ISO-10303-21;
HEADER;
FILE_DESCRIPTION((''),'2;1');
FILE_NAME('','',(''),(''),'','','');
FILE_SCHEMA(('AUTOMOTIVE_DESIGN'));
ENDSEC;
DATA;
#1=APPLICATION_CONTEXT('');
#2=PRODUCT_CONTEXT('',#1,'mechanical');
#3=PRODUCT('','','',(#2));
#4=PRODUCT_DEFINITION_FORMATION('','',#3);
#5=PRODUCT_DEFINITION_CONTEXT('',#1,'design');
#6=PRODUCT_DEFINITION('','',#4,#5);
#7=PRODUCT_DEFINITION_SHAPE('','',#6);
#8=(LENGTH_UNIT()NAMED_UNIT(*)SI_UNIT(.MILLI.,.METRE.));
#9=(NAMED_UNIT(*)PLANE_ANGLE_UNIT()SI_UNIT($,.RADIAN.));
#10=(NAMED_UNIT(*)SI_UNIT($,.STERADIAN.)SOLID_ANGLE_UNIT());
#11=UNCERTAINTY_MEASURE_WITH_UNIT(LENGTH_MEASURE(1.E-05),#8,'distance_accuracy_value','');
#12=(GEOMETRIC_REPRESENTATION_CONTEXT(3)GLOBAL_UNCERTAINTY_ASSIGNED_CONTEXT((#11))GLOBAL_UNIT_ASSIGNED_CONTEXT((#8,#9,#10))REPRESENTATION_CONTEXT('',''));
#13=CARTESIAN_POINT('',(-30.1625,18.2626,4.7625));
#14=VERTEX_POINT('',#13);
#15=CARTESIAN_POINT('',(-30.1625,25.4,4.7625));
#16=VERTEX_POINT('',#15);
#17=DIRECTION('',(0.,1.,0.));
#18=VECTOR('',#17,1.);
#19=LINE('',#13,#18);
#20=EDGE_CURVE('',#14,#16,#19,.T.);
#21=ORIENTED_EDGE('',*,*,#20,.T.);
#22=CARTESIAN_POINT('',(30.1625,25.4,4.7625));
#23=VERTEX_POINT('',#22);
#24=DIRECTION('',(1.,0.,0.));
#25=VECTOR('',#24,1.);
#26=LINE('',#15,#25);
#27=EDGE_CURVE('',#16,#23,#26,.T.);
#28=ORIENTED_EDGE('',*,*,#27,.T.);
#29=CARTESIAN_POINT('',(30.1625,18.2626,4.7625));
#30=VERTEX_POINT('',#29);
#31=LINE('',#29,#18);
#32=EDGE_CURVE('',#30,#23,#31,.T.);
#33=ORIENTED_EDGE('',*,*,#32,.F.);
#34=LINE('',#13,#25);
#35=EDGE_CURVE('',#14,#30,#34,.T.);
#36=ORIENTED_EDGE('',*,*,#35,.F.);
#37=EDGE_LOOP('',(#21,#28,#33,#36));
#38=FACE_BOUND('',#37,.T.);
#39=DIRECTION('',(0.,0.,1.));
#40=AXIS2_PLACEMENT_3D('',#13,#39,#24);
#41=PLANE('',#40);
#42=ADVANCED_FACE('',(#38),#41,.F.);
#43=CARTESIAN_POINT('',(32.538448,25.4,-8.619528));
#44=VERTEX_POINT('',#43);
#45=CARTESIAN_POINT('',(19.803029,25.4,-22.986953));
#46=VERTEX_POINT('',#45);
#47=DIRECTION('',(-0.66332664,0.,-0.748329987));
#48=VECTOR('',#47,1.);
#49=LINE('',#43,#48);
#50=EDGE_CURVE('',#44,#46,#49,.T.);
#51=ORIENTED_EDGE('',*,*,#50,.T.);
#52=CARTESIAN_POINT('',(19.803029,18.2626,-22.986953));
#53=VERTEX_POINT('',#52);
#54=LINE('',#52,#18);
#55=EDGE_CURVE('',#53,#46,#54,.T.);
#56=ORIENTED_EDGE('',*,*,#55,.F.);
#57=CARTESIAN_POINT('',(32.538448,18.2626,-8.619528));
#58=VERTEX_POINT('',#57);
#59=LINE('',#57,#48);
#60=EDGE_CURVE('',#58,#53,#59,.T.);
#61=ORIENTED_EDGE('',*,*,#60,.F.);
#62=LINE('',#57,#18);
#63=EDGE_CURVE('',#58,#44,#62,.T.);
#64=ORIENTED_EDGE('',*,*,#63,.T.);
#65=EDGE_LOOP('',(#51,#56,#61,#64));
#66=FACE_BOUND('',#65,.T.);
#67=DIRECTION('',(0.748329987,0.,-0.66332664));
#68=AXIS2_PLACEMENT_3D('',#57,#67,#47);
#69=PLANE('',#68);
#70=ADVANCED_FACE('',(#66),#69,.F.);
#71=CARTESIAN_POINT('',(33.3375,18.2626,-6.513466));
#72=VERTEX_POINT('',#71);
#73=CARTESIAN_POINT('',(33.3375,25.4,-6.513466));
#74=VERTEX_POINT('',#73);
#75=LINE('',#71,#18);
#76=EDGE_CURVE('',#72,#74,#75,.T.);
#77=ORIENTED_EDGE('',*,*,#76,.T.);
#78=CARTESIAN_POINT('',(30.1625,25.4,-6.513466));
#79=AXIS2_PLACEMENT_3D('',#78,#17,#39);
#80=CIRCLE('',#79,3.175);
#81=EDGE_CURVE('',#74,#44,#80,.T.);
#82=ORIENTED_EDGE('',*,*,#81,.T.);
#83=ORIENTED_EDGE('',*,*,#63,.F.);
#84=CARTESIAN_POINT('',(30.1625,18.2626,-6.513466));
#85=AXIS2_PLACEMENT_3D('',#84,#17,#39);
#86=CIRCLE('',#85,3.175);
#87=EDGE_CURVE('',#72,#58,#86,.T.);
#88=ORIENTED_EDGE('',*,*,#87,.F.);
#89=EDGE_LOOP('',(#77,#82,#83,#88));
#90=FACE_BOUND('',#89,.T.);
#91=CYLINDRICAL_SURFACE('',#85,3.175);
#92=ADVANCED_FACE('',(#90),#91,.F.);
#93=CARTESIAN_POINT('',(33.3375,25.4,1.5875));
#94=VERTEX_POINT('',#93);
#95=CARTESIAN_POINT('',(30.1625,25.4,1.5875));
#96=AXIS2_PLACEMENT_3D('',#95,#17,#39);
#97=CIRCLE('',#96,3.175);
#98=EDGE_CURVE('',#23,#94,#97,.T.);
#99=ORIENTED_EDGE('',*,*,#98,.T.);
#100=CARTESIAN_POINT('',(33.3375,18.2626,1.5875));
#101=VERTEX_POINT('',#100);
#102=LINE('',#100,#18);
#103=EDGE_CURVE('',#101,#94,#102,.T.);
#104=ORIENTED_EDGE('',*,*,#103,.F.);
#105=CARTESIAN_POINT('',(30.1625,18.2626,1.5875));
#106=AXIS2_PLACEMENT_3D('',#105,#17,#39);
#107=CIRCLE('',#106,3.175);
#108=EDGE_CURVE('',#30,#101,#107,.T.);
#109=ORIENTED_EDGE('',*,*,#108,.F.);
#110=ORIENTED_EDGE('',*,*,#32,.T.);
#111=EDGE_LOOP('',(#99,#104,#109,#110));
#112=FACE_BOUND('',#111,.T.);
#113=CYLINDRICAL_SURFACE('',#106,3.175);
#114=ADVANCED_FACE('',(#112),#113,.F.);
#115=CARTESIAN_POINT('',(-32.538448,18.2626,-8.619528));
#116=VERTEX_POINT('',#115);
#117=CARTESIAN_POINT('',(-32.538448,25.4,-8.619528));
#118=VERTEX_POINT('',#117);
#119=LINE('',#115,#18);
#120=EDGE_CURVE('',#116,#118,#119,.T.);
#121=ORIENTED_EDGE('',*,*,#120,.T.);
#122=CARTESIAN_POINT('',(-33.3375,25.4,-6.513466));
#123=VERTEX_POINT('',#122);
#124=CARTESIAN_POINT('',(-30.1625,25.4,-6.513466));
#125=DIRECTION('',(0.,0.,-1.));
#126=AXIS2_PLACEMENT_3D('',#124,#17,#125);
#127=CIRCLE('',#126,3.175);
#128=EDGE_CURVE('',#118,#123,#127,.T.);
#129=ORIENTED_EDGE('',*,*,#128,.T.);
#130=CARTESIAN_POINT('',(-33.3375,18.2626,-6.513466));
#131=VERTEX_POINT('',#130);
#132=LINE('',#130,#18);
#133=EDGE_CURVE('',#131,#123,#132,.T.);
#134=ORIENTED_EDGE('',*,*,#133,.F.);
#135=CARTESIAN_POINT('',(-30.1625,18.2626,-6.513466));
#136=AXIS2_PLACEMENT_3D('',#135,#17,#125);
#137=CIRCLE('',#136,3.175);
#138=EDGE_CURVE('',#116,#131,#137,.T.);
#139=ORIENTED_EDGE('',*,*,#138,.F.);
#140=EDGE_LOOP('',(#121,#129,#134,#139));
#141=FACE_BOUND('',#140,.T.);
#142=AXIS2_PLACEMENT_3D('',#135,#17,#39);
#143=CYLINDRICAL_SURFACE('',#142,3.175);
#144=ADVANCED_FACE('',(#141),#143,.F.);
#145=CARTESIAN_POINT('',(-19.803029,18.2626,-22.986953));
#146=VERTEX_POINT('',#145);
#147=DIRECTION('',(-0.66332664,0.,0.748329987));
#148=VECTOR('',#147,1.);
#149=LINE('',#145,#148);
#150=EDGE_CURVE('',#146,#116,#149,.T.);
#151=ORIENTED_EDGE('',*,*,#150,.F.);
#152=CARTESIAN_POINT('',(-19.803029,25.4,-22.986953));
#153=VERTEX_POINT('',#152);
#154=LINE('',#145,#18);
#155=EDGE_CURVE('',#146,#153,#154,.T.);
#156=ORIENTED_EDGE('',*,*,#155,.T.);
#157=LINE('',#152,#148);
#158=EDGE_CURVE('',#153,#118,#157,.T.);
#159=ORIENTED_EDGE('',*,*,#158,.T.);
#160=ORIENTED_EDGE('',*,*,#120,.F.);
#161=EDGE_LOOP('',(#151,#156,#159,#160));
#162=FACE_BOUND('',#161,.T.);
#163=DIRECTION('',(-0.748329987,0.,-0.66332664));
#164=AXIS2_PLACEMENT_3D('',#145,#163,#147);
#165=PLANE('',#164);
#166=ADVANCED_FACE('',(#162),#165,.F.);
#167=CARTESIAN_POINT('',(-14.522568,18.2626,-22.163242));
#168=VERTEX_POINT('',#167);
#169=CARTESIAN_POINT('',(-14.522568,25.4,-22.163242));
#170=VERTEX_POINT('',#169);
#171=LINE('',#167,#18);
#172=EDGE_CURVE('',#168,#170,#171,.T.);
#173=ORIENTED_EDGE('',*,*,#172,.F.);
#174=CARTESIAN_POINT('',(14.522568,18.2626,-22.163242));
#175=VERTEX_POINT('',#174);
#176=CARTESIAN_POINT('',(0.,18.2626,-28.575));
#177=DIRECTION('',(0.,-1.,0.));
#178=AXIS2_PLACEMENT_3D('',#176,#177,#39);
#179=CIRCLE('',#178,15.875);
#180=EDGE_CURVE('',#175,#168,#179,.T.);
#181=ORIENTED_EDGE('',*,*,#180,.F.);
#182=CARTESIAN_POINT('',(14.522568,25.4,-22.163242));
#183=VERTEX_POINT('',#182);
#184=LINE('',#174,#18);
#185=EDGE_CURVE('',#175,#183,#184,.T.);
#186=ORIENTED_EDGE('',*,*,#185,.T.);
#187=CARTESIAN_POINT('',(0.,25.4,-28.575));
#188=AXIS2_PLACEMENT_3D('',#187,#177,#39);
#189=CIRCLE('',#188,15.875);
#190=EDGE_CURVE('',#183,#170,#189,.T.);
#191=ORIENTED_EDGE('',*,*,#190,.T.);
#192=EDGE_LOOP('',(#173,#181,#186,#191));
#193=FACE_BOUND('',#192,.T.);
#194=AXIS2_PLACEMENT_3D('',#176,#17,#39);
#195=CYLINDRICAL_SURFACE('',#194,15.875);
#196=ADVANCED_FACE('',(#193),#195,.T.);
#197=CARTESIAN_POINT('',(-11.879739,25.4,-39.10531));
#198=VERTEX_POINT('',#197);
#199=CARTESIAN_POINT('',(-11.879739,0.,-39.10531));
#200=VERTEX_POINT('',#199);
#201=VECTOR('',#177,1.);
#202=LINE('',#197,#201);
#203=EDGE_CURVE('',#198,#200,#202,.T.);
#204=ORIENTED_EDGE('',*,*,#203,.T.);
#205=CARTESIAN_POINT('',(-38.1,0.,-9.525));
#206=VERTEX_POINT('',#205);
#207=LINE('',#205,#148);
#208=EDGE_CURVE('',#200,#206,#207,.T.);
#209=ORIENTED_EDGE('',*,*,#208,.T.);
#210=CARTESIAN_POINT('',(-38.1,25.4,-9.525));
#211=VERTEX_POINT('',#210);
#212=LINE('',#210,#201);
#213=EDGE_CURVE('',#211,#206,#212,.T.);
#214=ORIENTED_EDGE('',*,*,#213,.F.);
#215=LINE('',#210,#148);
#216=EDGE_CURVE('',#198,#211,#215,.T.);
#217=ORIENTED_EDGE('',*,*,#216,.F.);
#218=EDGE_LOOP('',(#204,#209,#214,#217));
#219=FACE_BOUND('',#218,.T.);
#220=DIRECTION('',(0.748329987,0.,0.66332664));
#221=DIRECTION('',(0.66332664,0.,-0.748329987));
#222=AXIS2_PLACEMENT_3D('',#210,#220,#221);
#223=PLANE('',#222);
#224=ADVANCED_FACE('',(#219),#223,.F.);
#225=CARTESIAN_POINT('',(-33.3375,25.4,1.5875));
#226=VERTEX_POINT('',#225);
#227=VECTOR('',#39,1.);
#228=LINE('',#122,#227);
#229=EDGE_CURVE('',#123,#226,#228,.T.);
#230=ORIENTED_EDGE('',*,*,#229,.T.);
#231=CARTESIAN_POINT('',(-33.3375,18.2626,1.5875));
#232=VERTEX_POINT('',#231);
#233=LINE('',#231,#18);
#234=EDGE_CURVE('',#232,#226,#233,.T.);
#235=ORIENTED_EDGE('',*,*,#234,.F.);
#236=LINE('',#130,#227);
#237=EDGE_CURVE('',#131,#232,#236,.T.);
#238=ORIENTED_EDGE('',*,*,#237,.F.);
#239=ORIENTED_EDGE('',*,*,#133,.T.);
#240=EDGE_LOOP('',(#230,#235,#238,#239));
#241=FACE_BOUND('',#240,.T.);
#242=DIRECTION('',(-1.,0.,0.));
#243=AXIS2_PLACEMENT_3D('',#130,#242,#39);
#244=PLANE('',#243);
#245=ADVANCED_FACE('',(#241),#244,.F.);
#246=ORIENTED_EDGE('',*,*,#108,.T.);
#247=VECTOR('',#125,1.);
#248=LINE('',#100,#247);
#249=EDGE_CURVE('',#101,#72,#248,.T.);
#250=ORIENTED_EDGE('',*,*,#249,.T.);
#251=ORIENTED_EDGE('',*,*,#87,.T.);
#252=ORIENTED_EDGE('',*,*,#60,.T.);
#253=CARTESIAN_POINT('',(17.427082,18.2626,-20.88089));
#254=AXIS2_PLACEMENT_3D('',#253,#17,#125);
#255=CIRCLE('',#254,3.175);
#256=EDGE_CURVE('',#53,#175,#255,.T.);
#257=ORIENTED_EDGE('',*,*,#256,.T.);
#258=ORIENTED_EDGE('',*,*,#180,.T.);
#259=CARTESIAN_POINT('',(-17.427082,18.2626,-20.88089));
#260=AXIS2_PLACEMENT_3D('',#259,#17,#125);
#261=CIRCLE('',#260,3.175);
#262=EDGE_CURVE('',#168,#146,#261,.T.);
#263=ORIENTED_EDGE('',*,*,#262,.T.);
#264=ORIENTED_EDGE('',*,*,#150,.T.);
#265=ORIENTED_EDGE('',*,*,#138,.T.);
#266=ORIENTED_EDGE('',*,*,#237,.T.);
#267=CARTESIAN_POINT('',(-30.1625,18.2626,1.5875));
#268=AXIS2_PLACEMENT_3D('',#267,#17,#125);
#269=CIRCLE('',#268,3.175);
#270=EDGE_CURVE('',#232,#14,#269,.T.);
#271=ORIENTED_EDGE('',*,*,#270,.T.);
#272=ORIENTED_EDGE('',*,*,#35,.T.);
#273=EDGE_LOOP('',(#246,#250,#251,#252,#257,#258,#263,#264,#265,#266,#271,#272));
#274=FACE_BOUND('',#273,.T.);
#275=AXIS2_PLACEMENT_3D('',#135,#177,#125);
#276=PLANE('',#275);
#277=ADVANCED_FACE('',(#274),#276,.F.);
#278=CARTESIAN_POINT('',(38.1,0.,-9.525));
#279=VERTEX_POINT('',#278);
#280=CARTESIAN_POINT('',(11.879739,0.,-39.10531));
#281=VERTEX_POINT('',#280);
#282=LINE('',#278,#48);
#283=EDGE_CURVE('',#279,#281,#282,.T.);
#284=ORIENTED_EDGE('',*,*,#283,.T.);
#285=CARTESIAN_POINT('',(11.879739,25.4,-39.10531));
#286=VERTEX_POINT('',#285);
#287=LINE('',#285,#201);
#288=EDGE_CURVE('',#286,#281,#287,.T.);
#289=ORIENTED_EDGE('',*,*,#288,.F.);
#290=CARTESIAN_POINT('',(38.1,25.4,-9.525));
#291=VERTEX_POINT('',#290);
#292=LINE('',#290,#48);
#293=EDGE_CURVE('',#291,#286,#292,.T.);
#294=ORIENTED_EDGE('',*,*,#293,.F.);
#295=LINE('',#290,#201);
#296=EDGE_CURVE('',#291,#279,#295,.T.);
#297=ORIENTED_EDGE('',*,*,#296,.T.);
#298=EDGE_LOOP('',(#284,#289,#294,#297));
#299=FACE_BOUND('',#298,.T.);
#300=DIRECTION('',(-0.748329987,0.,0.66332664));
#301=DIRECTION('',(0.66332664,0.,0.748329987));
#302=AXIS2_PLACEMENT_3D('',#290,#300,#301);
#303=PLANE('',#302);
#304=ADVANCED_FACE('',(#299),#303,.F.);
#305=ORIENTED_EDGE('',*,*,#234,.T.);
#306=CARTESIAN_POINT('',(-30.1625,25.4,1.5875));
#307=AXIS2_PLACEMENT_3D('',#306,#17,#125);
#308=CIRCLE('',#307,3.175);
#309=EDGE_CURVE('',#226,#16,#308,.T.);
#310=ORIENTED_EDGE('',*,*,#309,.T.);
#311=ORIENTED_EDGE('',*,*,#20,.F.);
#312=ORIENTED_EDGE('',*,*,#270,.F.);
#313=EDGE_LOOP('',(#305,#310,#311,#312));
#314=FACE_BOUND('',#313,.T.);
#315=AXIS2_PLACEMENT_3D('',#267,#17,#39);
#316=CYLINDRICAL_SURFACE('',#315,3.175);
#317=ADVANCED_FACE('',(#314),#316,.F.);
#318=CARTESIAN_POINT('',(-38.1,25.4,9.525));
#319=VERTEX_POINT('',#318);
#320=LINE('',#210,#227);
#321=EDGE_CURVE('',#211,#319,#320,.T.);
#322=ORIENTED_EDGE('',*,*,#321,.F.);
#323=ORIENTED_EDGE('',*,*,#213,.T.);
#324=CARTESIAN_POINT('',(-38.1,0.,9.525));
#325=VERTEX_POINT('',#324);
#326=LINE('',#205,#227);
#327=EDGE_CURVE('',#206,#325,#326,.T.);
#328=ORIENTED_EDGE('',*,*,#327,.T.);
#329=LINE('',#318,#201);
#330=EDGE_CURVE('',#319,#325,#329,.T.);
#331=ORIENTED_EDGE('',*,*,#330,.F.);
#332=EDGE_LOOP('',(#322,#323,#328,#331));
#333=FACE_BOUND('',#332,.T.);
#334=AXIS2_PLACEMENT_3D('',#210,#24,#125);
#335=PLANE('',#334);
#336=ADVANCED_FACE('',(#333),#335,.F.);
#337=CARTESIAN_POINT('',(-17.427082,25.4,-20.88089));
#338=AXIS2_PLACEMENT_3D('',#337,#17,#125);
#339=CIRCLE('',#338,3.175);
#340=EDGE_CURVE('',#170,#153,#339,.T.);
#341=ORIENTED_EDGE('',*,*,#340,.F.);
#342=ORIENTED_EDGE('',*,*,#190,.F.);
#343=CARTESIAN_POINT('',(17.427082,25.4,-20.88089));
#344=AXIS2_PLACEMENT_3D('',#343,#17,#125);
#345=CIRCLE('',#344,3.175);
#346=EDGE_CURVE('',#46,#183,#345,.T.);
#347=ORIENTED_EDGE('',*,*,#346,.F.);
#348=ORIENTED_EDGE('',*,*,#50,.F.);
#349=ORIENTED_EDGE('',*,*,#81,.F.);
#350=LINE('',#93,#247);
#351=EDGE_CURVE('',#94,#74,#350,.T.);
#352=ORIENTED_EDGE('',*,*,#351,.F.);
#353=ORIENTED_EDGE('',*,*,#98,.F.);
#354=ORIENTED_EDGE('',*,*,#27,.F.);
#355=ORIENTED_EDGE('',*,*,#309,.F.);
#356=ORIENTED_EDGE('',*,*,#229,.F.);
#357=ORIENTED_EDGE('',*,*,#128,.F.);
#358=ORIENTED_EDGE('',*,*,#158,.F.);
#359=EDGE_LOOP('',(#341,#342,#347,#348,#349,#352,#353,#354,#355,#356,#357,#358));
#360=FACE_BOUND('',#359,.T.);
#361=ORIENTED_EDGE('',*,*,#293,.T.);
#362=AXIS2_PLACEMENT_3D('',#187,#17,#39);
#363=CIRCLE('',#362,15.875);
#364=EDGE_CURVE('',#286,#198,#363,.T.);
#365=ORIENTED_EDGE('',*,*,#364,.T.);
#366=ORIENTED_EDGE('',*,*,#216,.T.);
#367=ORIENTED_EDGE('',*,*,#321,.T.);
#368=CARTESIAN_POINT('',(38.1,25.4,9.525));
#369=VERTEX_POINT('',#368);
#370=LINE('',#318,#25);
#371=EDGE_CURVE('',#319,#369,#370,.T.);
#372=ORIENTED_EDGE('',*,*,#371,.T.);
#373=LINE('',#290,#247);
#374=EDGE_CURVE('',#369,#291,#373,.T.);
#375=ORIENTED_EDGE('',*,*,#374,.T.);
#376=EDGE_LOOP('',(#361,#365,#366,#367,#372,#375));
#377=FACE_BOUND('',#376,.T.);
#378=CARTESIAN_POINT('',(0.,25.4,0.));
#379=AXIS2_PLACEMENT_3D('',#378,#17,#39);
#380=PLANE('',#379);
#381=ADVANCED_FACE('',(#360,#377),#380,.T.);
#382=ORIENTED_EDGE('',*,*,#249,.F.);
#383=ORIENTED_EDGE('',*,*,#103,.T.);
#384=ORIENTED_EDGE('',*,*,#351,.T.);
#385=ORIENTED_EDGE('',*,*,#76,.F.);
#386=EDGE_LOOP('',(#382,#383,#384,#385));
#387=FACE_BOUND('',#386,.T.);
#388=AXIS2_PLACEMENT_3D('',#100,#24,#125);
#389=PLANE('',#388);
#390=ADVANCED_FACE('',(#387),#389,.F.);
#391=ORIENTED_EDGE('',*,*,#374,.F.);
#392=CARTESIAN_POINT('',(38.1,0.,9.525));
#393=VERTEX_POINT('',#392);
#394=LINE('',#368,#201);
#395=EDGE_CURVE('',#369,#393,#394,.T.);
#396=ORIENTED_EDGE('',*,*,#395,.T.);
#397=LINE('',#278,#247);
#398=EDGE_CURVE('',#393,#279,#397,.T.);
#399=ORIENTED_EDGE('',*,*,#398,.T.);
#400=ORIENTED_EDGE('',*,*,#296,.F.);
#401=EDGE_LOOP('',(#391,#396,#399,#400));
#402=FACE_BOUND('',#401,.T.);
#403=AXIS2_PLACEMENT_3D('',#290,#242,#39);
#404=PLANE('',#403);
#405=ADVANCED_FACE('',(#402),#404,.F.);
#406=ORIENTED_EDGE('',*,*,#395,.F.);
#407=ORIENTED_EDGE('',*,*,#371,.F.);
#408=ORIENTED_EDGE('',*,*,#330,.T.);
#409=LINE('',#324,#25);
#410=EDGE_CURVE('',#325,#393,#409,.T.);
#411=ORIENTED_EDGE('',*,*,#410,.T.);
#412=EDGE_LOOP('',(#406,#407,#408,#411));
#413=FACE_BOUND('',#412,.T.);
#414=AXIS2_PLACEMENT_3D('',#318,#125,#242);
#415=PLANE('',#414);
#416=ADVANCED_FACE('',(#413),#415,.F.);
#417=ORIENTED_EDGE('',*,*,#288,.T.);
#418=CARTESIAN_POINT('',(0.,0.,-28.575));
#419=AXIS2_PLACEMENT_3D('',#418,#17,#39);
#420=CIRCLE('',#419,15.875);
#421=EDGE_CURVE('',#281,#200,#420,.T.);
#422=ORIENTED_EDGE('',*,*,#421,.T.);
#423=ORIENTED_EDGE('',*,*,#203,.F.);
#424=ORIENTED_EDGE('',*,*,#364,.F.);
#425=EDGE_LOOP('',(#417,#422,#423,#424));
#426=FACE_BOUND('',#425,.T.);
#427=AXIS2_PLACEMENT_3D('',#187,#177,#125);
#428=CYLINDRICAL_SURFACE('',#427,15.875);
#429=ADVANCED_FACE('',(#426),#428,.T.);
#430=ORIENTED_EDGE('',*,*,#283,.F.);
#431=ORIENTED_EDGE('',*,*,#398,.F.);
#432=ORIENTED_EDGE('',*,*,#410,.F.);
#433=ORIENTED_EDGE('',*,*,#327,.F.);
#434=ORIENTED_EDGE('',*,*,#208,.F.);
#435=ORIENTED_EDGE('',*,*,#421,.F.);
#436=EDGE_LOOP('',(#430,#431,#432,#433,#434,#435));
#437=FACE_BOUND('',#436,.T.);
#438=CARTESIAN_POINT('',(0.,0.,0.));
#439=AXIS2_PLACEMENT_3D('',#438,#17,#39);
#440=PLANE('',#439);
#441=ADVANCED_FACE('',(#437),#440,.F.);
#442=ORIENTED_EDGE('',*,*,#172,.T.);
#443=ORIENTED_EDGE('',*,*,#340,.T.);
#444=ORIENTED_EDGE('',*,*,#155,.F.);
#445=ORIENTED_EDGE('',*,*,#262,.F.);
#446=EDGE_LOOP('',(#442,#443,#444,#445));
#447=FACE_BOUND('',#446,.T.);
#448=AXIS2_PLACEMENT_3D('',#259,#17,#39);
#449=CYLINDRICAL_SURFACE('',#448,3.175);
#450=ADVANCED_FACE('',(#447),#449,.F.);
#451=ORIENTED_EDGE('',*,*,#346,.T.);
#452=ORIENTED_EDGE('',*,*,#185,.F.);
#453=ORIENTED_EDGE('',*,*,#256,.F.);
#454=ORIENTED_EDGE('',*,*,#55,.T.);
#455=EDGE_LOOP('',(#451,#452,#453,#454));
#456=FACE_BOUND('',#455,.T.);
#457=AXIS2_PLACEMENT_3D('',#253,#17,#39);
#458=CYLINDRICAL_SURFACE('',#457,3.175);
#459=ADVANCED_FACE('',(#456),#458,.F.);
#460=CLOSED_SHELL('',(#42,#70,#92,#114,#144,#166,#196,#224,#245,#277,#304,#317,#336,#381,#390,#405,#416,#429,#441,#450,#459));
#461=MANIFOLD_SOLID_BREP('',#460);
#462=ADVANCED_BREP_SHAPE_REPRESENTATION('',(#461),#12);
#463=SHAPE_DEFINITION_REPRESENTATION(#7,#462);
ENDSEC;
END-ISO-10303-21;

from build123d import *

# Parameters (mm, degrees)
SKETCH1_W           = 76.2
SKETCH1_H           = 19.05
BOSS_EXTRUDE1_DEPTH = 25.4
BOSS_EXTRUDE2_DEPTH = 25.4
CUT_EXTRUDE1_DEPTH  = 7.1374


with BuildPart() as part:
    # Sketch1 → Boss-Extrude1 (new body)
    with BuildSketch(Plane(origin=(0, 0, 0), x_dir=(1, 0, 0), z_dir=(0, 1, 0))):
        Rectangle(SKETCH1_W, SKETCH1_H)
    extrude(amount=BOSS_EXTRUDE1_DEPTH)

    # Sketch2 → Boss-Extrude2 (add)
    with BuildSketch(Plane(origin=(0, 0, 0), x_dir=(1, 0, 0), z_dir=(0, 1, 0))):
        with BuildLine():
            Line((-38.1, 9.525), (-11.879738537, 39.105310408))
            ThreePointArc((-11.879738537, 39.105310408), (0, 44.45), (11.879738537, 39.105310408))
            Line((11.879738537, 39.105310408), (38.1, 9.525))
            Line((38.1, 9.525), (38.1, -9.525))
            Line((38.1, -9.525), (-38.1, -9.525))
            Line((-38.1, -9.525), (-38.1, 9.525))
        make_face()
    extrude(amount=BOSS_EXTRUDE2_DEPTH)

    # Sketch3 → Cut-Extrude1 (cut)
    with BuildSketch(Plane(origin=(0, 25.4, 0), x_dir=(1, 0, 0), z_dir=(0, 1, 0))):
        with BuildLine():
            Line((-30.1625, -4.7625), (30.1625, -4.7625))
            ThreePointArc((30.1625, -4.7625), (32.40756403, -3.83256403), (33.3375, -1.5875))
            Line((33.3375, -1.5875), (33.3375, 6.513465997))
            ThreePointArc((33.3375, 6.513465997), (33.131023115, 7.639741058), (32.538447707, 8.619528078))
            Line((32.538447707, 8.619528078), (19.803029448, 22.986952515))
            ThreePointArc((19.803029448, 22.986952515), (16.937724791, 24.017951921), (14.522568117, 22.163242028))
            ThreePointArc((14.522568117, 22.163242028), (0, 12.7), (-14.522568117, 22.163242028))
            ThreePointArc((-14.522568117, 22.163242028), (-16.937724791, 24.017951921), (-19.803029448, 22.986952515))
            Line((-19.803029448, 22.986952515), (-32.538447707, 8.619528078))
            ThreePointArc((-32.538447707, 8.619528078), (-33.131023115, 7.639741058), (-33.3375, 6.513465997))
            Line((-33.3375, 6.513465997), (-33.3375, -1.5875))
            ThreePointArc((-33.3375, -1.5875), (-32.40756403, -3.83256403), (-30.1625, -4.7625))
        make_face()
    extrude(amount=-CUT_EXTRUDE1_DEPTH, mode=Mode.SUBTRACT)


solid = part.part
